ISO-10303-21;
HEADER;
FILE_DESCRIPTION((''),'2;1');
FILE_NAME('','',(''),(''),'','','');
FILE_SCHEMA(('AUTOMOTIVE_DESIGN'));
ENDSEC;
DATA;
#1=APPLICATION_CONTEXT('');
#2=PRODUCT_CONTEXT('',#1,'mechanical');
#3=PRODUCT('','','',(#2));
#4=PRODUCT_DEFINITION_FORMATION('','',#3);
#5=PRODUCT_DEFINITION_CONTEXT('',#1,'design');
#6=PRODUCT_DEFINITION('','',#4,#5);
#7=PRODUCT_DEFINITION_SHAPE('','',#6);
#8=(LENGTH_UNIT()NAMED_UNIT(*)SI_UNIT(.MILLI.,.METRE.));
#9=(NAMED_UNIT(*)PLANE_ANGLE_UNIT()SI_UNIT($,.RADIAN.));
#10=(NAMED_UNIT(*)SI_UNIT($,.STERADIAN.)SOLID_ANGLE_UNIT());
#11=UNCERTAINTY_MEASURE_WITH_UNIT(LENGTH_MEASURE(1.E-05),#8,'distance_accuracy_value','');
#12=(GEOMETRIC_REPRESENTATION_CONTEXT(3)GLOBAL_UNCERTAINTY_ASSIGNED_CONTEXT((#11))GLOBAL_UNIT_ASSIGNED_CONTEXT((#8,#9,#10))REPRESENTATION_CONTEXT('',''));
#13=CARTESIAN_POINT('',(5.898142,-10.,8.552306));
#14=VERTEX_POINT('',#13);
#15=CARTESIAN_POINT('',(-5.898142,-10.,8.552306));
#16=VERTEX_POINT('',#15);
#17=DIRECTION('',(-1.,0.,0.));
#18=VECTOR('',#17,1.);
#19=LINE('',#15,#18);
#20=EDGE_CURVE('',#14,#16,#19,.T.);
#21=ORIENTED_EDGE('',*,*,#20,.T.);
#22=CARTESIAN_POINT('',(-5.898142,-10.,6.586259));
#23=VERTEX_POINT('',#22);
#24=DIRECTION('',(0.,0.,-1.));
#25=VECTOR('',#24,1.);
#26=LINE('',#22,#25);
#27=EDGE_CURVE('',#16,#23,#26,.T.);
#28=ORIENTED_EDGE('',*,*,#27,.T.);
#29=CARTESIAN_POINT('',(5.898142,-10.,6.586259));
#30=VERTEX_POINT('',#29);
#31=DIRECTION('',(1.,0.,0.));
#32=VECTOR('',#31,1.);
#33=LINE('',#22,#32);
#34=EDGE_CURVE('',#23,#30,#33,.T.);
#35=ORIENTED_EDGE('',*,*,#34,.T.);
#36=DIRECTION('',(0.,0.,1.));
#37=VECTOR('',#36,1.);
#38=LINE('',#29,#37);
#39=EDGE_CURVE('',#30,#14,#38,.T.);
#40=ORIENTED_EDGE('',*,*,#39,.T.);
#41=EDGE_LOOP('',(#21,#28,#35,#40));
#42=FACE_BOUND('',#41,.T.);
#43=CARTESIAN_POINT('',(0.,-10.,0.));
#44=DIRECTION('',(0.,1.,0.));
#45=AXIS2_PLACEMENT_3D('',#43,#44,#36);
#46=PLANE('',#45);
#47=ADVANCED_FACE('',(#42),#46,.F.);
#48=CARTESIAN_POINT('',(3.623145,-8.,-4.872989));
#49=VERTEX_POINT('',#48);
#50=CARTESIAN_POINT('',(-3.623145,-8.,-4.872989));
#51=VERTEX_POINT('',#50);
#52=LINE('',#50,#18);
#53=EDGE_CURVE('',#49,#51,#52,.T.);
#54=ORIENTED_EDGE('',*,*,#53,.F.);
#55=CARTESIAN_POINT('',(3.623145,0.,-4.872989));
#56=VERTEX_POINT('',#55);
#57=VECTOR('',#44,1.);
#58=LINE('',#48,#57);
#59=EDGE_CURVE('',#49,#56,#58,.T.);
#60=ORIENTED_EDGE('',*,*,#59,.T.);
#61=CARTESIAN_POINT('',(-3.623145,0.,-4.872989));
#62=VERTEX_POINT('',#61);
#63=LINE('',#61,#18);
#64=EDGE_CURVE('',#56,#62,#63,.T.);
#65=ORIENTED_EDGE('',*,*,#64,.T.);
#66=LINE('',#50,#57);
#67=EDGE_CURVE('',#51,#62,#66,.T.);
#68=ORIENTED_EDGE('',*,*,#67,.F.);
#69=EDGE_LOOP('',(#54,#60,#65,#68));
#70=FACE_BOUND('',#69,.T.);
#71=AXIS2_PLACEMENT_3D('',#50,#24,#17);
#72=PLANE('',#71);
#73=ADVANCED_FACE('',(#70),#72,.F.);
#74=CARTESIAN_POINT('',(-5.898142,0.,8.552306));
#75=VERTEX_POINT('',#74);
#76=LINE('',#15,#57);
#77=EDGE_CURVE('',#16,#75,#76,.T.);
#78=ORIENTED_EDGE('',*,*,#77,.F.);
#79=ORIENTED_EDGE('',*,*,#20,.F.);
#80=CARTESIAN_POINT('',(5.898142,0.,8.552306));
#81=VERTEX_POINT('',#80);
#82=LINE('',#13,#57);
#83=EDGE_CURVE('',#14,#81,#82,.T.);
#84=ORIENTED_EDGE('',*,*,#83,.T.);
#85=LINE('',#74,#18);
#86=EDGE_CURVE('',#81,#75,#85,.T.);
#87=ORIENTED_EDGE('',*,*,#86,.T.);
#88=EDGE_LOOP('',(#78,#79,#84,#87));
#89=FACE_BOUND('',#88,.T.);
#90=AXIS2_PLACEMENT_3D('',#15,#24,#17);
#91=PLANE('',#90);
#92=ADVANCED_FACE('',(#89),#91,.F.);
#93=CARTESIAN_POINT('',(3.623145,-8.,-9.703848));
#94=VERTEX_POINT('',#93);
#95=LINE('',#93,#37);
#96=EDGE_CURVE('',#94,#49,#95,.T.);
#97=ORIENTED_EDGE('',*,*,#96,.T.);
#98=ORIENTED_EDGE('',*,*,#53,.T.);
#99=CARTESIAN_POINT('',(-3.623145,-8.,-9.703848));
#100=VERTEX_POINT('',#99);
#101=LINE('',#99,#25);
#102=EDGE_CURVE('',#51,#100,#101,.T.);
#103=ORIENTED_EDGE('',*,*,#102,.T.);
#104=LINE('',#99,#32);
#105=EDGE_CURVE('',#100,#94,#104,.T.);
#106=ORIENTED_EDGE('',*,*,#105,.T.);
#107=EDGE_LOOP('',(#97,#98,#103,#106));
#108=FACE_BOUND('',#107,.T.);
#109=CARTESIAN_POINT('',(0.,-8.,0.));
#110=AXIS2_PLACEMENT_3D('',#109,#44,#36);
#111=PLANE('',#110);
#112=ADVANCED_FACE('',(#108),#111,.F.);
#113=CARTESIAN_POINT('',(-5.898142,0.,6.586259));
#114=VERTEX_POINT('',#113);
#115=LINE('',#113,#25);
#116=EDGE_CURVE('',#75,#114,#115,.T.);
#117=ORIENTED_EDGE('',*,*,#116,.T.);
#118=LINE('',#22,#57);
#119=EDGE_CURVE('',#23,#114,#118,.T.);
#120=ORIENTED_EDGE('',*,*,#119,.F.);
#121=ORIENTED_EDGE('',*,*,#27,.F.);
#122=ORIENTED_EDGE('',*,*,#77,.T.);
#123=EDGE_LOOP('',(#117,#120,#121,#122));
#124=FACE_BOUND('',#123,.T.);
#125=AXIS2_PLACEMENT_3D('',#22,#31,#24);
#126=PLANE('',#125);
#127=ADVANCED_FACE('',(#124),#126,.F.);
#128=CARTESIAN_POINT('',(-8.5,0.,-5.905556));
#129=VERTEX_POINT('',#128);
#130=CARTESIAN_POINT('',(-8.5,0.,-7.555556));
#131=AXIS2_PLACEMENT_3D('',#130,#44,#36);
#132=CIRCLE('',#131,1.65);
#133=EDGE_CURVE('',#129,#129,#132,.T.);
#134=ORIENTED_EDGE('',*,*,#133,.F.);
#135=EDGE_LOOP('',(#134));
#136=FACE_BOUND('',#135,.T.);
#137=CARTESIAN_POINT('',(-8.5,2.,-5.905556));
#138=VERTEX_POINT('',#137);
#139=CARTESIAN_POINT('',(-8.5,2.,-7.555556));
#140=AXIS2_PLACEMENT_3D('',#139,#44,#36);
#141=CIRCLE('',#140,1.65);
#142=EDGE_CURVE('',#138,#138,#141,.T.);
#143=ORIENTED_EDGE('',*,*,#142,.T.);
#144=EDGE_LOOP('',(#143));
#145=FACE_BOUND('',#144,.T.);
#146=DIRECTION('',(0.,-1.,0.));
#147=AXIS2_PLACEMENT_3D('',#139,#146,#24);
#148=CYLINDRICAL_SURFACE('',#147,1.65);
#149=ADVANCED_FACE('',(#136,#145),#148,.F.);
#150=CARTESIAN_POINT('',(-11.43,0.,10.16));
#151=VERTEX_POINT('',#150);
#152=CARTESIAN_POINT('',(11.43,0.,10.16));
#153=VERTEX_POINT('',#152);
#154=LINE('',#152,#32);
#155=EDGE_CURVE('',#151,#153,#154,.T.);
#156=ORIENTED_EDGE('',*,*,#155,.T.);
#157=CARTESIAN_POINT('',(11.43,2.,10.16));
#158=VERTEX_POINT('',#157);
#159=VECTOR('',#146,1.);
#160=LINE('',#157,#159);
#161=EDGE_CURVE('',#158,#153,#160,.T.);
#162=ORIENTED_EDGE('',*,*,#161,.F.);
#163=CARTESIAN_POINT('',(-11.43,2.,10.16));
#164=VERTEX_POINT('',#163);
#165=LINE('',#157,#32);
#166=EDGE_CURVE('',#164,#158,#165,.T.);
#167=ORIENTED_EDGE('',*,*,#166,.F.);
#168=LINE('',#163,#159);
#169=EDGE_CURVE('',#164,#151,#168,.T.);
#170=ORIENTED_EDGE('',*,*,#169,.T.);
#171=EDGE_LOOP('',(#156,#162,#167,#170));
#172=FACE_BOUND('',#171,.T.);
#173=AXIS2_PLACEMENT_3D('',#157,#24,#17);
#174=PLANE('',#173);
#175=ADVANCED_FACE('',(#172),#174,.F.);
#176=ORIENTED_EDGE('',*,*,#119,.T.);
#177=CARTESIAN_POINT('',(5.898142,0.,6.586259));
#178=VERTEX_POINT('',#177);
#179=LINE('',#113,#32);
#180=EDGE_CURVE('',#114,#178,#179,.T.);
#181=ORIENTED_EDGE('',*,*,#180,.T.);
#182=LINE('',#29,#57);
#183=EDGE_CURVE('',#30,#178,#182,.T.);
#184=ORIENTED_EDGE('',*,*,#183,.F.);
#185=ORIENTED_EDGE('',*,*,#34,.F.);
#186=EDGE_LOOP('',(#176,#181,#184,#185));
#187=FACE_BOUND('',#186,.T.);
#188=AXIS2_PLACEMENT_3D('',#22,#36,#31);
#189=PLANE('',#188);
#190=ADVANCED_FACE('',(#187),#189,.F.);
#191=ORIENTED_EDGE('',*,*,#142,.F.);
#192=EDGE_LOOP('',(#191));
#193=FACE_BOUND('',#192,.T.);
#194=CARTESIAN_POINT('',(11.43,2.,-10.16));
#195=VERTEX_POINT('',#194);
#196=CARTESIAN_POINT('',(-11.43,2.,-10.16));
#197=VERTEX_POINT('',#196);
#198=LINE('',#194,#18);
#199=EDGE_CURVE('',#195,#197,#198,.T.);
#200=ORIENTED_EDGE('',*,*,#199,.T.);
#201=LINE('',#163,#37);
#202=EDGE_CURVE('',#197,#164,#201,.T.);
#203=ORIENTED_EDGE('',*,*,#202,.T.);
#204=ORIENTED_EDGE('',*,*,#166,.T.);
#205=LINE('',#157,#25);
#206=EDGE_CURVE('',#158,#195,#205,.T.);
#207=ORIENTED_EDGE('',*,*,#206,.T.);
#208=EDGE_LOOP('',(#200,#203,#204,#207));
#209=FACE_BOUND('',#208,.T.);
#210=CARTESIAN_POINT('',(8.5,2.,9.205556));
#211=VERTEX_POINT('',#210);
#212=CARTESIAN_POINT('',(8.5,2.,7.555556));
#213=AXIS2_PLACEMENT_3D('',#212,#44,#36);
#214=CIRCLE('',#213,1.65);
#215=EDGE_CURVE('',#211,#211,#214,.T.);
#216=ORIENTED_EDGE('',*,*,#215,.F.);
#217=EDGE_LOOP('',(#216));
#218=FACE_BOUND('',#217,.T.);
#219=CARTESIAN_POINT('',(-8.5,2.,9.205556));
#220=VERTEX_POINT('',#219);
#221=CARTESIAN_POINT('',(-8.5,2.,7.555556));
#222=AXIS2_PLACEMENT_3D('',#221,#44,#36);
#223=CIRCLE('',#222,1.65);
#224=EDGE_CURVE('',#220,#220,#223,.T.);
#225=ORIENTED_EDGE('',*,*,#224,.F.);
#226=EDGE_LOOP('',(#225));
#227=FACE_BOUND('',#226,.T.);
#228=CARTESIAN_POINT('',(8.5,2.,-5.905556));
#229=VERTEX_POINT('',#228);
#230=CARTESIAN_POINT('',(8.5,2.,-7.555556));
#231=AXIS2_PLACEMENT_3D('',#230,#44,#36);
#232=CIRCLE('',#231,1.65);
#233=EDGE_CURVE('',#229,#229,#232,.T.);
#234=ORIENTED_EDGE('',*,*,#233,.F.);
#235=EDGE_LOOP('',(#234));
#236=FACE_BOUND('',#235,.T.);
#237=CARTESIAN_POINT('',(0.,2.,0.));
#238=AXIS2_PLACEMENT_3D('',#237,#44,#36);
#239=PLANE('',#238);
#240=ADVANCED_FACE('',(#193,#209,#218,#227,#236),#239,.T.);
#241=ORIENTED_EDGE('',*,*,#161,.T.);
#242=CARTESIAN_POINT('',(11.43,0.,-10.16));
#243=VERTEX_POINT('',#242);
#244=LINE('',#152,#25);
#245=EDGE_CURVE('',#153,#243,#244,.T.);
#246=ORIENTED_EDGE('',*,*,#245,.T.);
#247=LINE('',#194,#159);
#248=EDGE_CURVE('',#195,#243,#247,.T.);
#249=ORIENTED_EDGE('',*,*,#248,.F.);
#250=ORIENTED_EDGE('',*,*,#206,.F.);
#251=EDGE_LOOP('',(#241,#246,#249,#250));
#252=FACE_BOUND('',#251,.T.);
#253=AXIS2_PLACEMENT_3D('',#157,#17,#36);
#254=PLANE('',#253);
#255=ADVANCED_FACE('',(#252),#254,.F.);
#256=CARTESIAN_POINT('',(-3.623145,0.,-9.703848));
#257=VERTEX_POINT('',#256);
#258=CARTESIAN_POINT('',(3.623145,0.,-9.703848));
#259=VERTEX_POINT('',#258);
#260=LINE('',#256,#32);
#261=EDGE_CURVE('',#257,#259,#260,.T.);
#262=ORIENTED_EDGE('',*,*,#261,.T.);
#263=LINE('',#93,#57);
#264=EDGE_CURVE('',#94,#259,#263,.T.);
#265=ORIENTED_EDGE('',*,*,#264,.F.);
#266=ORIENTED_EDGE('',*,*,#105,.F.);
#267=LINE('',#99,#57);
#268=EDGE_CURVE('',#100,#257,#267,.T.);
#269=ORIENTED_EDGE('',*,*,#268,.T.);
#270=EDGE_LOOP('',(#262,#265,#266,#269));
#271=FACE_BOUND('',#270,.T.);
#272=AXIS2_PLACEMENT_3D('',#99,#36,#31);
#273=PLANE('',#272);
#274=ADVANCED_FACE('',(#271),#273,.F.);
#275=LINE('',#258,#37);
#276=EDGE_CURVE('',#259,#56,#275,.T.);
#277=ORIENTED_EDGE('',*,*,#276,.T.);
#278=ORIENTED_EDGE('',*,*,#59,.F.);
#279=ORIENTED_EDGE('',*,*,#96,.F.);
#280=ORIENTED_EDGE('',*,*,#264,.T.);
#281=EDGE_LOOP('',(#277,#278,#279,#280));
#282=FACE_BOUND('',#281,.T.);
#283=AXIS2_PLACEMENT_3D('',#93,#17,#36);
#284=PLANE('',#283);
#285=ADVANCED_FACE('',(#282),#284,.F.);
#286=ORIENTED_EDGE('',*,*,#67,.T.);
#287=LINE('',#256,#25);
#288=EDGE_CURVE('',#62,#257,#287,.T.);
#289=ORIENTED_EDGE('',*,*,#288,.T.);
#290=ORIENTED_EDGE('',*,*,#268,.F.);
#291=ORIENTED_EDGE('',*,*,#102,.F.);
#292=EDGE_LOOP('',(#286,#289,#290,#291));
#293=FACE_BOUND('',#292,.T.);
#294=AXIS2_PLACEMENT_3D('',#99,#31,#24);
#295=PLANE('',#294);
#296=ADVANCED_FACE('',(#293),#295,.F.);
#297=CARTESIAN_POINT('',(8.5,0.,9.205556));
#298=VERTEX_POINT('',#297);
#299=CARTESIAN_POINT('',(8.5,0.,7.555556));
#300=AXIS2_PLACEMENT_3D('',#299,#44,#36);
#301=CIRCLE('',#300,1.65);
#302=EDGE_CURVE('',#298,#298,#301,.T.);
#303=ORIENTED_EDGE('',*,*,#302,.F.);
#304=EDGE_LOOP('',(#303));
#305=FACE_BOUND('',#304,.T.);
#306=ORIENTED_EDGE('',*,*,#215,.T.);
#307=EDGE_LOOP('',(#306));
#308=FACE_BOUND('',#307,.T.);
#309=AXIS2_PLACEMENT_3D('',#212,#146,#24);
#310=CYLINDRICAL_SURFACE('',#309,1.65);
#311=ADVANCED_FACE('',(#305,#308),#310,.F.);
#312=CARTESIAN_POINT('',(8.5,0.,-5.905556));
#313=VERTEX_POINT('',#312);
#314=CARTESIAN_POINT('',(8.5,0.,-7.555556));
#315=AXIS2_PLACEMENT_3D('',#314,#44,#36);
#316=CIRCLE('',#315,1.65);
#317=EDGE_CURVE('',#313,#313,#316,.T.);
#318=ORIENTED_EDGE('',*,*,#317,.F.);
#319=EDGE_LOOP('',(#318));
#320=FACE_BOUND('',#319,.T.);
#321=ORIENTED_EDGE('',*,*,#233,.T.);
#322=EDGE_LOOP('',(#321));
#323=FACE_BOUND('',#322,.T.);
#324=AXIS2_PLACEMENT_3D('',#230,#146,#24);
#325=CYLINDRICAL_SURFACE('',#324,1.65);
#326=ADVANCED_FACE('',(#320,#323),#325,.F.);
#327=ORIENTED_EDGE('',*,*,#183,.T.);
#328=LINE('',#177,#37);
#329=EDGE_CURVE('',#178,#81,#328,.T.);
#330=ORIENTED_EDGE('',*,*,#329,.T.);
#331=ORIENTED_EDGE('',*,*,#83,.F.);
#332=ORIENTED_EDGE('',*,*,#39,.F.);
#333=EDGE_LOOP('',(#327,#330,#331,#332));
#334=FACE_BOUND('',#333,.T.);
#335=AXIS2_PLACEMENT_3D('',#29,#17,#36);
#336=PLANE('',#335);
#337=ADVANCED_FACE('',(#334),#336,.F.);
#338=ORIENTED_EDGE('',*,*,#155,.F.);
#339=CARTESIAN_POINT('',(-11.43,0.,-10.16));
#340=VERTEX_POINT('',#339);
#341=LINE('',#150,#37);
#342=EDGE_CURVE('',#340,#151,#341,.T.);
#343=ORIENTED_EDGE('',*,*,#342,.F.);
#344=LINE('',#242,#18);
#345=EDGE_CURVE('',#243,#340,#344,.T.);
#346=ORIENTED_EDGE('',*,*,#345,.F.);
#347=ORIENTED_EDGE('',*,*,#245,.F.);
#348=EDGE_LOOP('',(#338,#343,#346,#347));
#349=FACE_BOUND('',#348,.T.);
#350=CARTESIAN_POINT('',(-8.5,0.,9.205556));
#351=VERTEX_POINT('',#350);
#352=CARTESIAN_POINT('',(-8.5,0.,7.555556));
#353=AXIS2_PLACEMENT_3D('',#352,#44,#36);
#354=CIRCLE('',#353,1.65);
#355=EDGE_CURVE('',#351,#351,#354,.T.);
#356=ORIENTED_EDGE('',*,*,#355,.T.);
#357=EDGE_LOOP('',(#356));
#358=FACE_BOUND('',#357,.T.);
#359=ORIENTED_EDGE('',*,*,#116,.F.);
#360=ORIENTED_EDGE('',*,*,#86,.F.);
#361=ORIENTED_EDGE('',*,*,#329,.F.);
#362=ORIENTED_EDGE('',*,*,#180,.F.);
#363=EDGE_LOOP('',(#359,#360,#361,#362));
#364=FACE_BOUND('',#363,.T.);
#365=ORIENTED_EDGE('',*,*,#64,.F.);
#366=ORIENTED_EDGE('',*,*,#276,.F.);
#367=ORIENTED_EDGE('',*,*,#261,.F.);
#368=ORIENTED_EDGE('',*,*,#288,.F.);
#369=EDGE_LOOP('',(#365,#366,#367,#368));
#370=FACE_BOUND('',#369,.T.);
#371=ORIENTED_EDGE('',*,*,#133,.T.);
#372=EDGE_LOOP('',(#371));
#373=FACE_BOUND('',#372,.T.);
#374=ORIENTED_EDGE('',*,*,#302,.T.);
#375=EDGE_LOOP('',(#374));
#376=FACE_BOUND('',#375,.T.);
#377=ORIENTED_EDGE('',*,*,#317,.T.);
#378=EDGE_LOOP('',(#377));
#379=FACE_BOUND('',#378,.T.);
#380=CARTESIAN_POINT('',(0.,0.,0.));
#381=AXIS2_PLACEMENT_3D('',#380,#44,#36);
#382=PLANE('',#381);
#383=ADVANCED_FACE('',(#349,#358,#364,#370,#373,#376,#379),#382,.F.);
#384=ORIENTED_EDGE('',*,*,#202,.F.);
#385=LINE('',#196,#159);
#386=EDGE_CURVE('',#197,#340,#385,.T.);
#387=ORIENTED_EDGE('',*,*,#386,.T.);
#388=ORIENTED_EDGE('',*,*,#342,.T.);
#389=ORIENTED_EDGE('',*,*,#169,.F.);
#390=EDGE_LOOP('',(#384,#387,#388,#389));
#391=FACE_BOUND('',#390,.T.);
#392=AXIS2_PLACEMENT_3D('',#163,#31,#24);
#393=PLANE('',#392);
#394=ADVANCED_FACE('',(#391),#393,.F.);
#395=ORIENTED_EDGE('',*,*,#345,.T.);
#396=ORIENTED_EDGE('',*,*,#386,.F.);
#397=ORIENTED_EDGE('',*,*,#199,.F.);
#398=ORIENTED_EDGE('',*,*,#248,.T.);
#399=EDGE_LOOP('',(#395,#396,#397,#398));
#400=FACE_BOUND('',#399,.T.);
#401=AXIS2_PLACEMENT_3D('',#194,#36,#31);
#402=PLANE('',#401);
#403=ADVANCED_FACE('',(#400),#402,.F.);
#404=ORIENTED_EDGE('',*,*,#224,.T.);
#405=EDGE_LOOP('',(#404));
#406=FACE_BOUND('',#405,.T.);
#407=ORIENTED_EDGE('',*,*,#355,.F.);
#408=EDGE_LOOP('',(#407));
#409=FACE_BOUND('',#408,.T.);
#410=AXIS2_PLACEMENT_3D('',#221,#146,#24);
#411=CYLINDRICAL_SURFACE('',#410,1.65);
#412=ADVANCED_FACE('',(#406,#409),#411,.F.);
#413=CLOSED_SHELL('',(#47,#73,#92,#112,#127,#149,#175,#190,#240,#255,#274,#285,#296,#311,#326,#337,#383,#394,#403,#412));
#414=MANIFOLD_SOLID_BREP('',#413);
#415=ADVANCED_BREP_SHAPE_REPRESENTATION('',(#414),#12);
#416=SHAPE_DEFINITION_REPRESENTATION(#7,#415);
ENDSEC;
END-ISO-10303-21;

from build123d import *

# Parameters (mm, degrees)
SKETCH1_W           = 22.86
SKETCH1_H           = 20.32
SKETCH1_R           = 1.65
BOSS_EXTRUDE1_DEPTH = 2
SKETCH2_W           = 11.796284554
SKETCH2_H           = 1.966047426
BOSS_EXTRUDE2_DEPTH = 10
SKETCH3_W           = 7.246289084
SKETCH3_H           = 4.830859388
BOSS_EXTRUDE3_DEPTH = 8


with BuildPart() as part:
    # Sketch1 → Boss-Extrude1 (new body)
    with BuildSketch(Plane(origin=(0, 0, 0), x_dir=(1, 0, 0), z_dir=(0, 1, 0))):
        Rectangle(SKETCH1_W, SKETCH1_H)
        with Locations(Location((-8.5, 7.555555556, 0), (0, 0, 270))):
            Circle(SKETCH1_R, mode=Mode.SUBTRACT)
        with Locations(Location((8.5, 7.555555556, 0), (0, 0, 270))):
            Circle(SKETCH1_R, mode=Mode.SUBTRACT)
        with Locations(Location((-8.5, -7.555555556, 0), (0, 0, 270))):
            Circle(SKETCH1_R, mode=Mode.SUBTRACT)
        with Locations(Location((8.5, -7.555555556, 0), (0, 0, 270))):
            Circle(SKETCH1_R, mode=Mode.SUBTRACT)
    extrude(amount=BOSS_EXTRUDE1_DEPTH)

    # Sketch2 → Boss-Extrude2 (add)
    with BuildSketch(Plane.XZ):
        with Locations((0, 7.569282589)):
            Rectangle(SKETCH2_W, SKETCH2_H)
    extrude(amount=BOSS_EXTRUDE2_DEPTH)

    # Sketch3 → Boss-Extrude3 (add)
    with BuildSketch(Plane.XZ):
        with Locations((0, -7.288418671)):
            Rectangle(SKETCH3_W, SKETCH3_H)
    extrude(amount=BOSS_EXTRUDE3_DEPTH)


solid = part.part
